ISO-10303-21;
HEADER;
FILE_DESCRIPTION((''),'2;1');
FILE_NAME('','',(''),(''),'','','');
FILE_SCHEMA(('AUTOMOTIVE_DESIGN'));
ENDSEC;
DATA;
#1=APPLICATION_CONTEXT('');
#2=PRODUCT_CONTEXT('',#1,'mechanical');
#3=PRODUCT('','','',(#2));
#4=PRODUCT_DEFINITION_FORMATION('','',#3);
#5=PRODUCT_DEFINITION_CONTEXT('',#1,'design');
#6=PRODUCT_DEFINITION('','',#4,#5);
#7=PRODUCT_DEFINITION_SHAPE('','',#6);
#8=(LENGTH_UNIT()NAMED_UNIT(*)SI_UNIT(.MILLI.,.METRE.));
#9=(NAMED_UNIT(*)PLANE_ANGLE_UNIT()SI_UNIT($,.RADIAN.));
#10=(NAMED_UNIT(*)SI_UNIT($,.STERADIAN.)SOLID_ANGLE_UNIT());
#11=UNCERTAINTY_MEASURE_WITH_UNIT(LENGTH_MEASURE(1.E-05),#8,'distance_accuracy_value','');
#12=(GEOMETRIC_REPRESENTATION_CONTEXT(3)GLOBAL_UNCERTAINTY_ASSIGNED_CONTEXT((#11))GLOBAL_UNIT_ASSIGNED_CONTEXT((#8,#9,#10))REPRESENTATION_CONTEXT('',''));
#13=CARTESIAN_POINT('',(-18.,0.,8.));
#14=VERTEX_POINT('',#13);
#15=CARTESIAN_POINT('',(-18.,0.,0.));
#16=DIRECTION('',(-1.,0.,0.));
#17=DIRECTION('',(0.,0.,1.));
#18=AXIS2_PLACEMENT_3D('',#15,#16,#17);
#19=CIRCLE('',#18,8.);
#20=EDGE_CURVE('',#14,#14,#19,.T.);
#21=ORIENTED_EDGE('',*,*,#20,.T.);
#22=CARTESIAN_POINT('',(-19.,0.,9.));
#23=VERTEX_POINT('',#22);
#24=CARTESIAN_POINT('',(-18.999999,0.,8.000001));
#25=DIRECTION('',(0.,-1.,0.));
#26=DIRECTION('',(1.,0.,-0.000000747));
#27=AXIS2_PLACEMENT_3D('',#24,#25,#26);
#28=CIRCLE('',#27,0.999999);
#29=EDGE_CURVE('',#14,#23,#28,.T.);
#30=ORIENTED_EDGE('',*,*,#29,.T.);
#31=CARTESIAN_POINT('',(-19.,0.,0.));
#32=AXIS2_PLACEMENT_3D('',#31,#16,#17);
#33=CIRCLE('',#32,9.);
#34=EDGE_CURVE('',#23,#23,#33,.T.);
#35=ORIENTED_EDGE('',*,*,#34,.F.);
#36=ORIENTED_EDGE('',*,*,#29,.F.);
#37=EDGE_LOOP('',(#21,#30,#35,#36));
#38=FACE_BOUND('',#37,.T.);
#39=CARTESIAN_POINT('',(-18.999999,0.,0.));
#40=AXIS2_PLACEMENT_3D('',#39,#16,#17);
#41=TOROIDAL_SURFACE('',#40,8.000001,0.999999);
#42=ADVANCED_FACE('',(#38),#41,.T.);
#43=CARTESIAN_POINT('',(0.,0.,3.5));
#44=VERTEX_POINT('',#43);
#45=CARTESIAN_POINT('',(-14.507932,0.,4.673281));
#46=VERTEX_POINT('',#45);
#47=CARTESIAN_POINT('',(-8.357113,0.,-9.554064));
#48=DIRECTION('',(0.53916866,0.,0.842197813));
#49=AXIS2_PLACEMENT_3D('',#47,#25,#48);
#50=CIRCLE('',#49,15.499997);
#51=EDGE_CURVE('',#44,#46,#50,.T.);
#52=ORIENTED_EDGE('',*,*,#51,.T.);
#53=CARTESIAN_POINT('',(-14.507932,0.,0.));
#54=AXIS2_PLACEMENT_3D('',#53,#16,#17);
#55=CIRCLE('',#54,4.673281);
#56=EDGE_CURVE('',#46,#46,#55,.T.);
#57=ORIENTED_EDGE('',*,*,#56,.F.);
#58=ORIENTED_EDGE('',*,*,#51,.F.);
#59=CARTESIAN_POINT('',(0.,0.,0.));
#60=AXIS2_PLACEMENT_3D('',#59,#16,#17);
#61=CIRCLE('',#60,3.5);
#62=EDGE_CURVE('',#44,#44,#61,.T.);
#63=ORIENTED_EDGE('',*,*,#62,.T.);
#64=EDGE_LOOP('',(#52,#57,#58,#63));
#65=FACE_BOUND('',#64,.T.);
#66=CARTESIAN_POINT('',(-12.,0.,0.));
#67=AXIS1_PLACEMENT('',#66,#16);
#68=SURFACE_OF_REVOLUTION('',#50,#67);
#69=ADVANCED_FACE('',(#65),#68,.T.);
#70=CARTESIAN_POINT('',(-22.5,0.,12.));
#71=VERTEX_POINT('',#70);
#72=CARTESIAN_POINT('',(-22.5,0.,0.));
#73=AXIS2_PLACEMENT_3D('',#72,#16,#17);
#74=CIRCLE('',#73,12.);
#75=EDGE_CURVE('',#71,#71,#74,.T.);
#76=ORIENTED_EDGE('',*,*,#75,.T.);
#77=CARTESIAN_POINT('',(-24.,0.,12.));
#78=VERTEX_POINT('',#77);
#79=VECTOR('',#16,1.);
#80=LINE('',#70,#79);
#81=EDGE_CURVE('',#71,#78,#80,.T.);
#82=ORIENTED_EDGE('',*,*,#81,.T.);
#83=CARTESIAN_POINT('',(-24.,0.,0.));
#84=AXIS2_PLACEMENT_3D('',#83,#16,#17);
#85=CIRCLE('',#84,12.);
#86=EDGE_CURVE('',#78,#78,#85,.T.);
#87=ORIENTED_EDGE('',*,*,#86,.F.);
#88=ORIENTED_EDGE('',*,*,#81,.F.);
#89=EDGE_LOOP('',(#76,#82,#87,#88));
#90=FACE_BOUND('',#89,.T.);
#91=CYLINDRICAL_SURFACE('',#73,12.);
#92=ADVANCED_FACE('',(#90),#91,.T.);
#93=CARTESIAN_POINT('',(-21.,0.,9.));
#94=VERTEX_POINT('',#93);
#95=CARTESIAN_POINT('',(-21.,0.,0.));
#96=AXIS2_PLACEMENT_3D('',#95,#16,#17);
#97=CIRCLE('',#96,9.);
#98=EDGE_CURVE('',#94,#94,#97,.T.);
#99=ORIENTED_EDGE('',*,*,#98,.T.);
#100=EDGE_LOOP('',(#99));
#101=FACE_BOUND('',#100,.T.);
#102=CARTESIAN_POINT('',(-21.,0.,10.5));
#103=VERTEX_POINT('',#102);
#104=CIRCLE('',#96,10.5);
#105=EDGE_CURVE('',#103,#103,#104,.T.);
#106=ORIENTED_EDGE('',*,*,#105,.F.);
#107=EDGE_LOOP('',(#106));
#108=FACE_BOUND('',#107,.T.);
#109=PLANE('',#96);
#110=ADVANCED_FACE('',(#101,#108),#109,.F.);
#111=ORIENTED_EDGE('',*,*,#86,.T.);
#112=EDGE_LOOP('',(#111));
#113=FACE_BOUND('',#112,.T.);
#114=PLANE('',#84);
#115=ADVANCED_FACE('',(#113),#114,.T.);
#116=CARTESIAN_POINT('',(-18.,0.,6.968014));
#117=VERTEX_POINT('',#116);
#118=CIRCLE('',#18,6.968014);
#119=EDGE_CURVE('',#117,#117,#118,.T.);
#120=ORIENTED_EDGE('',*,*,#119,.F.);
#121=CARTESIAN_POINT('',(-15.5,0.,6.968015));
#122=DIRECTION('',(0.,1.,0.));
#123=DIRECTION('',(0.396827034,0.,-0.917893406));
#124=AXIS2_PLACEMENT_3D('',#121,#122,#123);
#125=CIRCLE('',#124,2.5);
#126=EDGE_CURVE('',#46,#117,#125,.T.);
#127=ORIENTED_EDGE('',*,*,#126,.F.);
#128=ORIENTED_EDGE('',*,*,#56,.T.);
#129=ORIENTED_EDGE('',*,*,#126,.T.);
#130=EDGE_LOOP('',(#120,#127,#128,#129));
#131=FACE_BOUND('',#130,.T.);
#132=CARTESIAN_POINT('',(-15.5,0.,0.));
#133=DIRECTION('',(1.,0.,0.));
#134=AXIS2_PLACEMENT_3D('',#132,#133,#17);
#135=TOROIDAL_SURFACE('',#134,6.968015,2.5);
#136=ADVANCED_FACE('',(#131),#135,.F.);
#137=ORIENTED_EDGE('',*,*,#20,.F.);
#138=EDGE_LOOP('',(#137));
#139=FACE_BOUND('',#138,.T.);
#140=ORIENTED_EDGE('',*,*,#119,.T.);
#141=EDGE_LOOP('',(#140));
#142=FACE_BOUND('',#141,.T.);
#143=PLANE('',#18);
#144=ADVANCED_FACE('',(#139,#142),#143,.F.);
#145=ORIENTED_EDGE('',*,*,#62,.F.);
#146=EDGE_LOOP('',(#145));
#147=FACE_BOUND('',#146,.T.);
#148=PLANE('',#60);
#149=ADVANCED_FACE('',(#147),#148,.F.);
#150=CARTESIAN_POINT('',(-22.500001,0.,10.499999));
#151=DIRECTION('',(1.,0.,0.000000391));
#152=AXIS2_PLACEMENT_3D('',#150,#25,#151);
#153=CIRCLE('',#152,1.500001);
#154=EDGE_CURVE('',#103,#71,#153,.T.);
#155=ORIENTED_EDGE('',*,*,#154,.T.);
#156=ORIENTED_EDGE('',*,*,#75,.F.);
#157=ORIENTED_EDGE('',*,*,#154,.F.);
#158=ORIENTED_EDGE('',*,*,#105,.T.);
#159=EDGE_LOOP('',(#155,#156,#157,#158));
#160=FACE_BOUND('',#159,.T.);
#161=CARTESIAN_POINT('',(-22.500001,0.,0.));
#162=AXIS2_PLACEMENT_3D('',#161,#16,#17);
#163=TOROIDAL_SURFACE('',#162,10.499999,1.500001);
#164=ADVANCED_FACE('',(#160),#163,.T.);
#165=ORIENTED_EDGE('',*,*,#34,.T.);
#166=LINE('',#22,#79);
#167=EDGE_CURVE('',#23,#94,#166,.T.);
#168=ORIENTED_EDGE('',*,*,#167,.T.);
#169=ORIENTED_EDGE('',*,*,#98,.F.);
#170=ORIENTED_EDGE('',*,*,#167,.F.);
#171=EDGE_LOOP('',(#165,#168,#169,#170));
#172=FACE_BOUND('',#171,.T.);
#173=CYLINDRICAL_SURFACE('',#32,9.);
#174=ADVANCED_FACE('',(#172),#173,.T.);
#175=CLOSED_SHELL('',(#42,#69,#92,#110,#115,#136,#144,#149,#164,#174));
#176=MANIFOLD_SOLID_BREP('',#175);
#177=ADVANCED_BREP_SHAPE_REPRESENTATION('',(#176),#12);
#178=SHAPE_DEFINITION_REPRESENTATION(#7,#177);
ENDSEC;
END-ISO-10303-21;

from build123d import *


with BuildPart() as f1:
    # F0 (on Front) → F1 (revolve)
    with BuildSketch(Plane.XZ):
        with BuildLine():
            Line((-24, 0), (0, 0))
            Line((0, 0), (0, 3.5))
            ThreePointArc((0, 3.5), (-7.107681, 5.895494), (-14.507932, 4.673281))
            ThreePointArc((-14.507932, 4.673281), (-16.872922, 4.878736), (-18, 6.968014))
            Line((-18, 6.968014), (-18, 8))
            ThreePointArc((-18, 8), (-18.292893, 8.707107), (-19, 9))
            Line((-19, 9), (-21, 9))
            Line((-21, 9), (-21, 10.5))
            ThreePointArc((-21, 10.5), (-21.43934, 11.56066), (-22.5, 12))
            Line((-22.5, 12), (-24, 12))
            Line((-24, 12), (-24, 0))
        make_face()
    revolve(axis=Axis((-12, 0, 0), (-1, 0, 0)))


solid = f1.part
